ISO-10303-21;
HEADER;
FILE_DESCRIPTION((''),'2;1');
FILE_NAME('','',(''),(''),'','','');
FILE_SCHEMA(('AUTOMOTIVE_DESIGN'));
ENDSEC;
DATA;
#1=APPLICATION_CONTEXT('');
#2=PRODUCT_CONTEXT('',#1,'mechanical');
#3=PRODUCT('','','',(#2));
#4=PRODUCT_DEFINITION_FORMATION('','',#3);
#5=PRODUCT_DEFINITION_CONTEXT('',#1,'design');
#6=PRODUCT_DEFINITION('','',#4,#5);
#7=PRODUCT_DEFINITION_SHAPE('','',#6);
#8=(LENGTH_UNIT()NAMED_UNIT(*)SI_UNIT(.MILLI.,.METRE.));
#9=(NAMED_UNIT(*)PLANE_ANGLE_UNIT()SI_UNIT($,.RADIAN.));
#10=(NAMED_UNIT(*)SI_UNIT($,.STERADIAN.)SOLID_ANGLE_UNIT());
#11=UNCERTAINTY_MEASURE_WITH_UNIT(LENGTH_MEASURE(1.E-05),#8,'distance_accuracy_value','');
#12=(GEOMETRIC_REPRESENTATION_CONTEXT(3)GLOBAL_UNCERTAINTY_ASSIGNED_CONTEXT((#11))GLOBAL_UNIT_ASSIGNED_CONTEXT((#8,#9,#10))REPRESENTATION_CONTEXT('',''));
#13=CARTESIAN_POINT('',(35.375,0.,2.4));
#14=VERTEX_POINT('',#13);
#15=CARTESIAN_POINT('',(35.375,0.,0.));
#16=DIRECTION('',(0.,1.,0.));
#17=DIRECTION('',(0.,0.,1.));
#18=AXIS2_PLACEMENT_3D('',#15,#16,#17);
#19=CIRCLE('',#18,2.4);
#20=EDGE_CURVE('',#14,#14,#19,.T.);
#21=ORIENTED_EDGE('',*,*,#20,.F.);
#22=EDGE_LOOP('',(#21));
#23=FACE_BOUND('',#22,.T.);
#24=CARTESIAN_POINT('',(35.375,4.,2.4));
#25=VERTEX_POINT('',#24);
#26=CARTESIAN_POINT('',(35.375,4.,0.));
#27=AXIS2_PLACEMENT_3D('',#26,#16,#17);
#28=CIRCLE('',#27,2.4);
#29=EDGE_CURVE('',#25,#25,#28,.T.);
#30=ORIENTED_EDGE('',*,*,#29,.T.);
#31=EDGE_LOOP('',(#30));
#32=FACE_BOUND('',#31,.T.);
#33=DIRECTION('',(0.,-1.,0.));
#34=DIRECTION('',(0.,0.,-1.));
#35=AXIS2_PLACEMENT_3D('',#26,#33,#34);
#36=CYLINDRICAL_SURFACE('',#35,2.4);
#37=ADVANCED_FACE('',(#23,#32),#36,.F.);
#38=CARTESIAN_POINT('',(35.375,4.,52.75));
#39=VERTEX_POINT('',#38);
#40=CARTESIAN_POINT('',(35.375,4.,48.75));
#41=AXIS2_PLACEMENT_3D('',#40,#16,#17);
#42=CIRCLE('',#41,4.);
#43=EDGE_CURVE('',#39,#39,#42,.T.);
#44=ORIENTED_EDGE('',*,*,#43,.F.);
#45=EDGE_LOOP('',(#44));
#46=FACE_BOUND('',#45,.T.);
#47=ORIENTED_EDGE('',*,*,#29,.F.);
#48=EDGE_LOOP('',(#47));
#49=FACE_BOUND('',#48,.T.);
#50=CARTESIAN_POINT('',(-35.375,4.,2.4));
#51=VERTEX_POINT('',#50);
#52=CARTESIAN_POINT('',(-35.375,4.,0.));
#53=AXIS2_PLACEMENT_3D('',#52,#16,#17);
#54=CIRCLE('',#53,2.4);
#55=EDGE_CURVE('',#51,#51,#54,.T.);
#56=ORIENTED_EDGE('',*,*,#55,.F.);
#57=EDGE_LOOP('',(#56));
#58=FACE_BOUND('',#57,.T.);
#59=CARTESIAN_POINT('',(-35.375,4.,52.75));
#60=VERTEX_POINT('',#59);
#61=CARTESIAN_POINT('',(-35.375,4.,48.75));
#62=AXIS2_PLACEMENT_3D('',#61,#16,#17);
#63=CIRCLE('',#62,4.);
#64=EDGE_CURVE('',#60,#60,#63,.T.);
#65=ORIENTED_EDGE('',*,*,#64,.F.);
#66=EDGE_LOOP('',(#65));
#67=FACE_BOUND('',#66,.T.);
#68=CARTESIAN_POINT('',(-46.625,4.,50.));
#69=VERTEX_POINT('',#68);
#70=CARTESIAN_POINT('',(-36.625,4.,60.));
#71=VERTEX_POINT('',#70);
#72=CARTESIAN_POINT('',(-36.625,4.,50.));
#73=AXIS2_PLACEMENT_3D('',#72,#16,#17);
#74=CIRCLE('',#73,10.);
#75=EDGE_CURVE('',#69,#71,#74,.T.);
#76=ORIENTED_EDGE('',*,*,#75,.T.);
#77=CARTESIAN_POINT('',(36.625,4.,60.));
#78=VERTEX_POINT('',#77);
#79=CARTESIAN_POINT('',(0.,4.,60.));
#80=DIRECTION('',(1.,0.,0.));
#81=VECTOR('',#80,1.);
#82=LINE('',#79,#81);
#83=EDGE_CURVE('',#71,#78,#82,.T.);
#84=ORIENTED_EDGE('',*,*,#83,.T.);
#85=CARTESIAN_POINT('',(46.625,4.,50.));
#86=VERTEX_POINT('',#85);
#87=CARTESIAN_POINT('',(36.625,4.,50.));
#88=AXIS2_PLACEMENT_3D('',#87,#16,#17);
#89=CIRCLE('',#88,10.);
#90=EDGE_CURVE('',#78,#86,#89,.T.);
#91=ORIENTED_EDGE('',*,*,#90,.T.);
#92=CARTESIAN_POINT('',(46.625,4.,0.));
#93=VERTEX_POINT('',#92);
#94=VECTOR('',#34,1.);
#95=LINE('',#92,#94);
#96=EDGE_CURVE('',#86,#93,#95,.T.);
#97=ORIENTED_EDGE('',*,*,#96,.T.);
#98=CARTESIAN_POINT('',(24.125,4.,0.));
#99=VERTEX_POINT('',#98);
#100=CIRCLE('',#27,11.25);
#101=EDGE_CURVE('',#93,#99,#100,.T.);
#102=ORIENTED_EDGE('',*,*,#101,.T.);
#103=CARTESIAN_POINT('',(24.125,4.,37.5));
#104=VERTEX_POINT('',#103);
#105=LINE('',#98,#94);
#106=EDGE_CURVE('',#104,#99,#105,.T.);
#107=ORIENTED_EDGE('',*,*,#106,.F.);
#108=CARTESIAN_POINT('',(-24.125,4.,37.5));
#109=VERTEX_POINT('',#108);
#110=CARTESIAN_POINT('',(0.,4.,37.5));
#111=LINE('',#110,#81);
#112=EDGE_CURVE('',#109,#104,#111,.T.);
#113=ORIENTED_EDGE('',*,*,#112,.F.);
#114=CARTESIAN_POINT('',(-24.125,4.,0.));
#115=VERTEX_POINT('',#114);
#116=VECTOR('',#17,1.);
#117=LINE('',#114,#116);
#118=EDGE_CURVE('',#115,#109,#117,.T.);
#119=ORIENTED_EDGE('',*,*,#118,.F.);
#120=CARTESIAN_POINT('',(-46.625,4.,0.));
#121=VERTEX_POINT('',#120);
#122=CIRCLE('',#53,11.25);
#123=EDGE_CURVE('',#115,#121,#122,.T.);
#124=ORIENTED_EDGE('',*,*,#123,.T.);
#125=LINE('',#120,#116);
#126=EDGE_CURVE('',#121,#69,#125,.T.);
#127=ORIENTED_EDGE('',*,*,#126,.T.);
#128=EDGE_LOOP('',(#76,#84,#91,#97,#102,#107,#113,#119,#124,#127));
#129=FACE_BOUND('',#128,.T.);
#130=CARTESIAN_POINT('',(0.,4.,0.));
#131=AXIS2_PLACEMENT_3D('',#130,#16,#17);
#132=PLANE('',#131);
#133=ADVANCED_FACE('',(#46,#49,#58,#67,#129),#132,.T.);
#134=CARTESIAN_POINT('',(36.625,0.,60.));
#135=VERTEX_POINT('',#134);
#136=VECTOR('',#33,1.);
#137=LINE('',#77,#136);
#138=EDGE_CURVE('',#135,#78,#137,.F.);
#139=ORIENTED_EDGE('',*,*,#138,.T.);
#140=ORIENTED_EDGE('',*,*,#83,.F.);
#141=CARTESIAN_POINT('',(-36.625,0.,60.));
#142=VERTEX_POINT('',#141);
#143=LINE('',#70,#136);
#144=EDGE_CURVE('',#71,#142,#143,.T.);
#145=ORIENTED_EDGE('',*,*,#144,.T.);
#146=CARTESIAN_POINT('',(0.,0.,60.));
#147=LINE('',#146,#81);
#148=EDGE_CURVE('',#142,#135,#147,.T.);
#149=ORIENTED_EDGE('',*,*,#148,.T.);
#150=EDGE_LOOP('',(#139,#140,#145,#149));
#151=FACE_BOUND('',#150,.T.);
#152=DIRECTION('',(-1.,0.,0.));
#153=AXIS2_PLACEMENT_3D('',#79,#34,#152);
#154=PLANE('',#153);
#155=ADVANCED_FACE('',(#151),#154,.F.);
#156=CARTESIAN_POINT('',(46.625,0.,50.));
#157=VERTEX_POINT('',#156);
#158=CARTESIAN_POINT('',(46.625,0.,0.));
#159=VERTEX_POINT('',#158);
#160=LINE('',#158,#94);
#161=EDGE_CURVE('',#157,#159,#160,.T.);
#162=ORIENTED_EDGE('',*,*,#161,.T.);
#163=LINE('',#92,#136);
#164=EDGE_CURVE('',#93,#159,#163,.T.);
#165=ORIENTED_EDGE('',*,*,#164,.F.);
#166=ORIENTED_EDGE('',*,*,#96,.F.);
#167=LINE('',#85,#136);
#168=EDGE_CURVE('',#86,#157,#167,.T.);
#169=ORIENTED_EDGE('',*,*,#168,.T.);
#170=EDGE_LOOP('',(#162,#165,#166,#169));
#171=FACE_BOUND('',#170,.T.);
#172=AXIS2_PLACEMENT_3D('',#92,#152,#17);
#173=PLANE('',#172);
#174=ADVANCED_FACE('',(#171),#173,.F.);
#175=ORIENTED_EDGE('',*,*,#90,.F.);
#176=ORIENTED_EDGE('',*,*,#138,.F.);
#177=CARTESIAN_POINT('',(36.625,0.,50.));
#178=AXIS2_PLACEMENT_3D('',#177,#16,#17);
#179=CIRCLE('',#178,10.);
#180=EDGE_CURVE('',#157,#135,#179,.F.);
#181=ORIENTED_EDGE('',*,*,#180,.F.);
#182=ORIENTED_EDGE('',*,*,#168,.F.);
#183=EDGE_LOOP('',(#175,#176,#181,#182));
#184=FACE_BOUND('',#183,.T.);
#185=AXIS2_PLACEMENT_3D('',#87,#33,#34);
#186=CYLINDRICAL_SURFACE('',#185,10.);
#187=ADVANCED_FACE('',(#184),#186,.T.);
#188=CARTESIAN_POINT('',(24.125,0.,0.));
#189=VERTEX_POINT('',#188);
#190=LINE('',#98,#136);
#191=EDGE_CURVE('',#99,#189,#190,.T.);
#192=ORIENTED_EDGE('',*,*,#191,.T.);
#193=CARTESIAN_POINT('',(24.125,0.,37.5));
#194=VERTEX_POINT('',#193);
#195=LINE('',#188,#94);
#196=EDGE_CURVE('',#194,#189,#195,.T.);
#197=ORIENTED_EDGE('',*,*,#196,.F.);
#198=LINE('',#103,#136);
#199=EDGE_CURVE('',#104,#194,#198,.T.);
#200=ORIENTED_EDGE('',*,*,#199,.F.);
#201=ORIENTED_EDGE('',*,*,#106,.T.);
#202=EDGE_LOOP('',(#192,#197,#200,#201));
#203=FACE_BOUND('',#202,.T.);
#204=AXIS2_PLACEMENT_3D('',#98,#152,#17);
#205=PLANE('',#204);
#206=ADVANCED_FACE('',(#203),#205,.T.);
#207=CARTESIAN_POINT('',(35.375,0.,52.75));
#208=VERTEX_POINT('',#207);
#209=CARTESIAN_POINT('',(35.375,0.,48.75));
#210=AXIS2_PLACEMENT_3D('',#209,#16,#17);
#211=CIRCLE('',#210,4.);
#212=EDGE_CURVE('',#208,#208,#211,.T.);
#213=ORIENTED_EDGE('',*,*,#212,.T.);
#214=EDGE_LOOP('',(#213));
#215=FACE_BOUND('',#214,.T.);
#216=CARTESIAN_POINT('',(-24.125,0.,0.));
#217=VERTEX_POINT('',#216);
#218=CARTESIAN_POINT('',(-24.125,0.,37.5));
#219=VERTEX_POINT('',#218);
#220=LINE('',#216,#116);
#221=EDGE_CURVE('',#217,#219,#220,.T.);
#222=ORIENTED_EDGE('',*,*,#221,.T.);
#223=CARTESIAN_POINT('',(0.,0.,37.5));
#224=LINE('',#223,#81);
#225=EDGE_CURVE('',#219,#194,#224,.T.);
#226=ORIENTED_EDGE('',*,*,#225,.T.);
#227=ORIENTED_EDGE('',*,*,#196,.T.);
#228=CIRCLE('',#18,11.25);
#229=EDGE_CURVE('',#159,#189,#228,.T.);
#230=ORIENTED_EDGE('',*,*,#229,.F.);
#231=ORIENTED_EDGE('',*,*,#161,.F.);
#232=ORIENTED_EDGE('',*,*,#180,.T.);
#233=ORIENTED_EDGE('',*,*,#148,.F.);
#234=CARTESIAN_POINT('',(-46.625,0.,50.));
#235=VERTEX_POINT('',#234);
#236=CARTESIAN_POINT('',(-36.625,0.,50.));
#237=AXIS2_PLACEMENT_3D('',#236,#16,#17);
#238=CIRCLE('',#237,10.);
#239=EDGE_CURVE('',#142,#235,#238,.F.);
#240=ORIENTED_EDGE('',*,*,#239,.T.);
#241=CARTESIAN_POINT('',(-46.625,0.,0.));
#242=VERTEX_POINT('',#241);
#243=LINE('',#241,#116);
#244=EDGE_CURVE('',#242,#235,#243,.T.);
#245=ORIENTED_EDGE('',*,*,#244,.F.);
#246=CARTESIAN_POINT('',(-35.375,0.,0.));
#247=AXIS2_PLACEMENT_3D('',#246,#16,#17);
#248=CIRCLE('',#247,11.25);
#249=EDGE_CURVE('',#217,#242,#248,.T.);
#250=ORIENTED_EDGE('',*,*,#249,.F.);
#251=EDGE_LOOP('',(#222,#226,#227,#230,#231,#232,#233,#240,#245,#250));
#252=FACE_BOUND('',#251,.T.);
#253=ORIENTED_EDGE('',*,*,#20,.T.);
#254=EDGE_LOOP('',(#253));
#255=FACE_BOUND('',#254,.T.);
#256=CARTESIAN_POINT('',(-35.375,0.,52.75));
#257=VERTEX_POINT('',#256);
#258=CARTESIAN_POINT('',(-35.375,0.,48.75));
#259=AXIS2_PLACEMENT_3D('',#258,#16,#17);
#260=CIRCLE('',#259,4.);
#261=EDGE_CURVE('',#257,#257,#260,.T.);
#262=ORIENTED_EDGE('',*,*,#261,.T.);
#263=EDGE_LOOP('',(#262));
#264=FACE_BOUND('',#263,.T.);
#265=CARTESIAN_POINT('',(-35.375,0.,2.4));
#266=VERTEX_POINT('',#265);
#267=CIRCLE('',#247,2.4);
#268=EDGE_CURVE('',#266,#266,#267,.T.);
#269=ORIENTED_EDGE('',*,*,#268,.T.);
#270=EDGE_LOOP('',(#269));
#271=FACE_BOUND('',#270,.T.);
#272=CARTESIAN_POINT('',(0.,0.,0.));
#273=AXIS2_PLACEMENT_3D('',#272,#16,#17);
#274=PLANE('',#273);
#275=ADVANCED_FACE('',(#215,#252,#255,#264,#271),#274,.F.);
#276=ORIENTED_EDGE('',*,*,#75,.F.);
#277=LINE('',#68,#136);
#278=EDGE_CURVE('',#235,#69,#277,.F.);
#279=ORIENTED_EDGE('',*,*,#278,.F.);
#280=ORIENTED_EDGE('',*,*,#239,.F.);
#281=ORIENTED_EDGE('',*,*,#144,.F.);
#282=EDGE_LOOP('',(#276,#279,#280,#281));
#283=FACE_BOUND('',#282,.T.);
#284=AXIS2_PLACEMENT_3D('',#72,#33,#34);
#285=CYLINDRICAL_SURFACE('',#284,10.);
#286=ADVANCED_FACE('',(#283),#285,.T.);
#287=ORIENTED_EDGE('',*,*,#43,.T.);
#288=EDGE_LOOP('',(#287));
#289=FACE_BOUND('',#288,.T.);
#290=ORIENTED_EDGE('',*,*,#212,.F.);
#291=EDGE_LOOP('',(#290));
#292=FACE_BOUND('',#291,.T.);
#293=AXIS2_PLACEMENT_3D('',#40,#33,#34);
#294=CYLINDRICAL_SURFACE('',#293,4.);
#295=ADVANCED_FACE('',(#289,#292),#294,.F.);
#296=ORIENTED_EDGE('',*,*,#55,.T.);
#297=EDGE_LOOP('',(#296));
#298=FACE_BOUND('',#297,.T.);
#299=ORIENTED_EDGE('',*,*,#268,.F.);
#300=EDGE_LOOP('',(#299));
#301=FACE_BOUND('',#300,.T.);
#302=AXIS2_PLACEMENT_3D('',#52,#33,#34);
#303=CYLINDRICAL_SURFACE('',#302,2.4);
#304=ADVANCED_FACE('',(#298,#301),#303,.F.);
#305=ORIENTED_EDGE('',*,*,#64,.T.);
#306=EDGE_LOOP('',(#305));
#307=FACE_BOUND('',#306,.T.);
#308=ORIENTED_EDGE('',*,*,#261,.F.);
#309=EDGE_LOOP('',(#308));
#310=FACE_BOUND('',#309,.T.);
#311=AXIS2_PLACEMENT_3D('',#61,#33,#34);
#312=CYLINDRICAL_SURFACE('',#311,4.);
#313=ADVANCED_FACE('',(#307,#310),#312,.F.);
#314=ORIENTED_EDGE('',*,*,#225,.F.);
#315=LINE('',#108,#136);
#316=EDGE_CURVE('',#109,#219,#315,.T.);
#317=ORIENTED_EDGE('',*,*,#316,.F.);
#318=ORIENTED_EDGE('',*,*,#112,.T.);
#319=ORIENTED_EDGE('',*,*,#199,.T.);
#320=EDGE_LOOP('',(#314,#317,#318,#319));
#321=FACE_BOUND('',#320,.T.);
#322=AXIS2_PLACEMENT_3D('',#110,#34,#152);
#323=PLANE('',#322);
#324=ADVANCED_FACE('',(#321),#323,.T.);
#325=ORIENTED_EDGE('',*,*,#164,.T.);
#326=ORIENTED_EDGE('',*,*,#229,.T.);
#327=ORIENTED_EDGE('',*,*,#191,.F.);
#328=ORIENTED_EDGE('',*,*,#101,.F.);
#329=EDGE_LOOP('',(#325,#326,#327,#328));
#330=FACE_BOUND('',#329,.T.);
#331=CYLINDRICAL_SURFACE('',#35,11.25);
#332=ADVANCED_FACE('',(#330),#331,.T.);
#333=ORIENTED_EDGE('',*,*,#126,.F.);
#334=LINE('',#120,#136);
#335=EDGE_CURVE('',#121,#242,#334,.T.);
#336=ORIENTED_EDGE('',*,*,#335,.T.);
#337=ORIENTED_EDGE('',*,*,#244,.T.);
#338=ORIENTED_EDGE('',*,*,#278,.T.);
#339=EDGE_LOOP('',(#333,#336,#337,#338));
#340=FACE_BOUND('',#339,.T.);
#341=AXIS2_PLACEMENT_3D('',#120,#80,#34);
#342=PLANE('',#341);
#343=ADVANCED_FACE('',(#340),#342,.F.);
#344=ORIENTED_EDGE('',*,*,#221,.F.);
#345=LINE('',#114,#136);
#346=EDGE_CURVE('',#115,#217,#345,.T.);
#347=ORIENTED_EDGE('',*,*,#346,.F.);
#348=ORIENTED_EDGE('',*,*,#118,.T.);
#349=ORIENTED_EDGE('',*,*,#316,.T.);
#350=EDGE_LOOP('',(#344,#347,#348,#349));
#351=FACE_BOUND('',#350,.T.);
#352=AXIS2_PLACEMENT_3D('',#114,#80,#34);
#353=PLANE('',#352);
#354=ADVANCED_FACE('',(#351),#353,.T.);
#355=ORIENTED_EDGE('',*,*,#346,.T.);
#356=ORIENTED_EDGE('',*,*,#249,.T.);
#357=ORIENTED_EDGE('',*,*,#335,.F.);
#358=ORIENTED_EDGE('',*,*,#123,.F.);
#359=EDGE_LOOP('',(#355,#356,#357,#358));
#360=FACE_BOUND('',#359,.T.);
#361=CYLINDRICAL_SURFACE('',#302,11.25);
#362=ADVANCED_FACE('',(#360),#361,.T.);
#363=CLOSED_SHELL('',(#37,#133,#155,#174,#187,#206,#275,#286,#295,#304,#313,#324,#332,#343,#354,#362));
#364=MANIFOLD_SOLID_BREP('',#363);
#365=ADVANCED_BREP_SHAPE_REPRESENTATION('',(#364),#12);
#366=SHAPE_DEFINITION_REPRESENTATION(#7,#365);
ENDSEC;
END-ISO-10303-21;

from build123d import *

# Parameters (mm, degrees)
SKETCH1_R           = 4
SKETCH1_R_2         = 11.25
SKETCH1_R_3         = 2.4
BOSS_EXTRUDE1_DEPTH = 4
FILLET1_R           = 10


with BuildPart() as part:
    # Sketch1 → Boss-Extrude1 (new body)
    with BuildSketch(Plane(origin=(0, 0, 0), x_dir=(1, 0, 0), z_dir=(0, 1, 0))):
        with BuildLine():
            Line((-24.125, -37.5), (-24.125, 0))
            ThreePointArc((-24.125, 0), (-35.375, -11.25), (-46.625, 0))
            Line((-46.625, 0), (-46.625, -60))
            Line((-46.625, -60), (46.625, -60))
            Line((46.625, -60), (46.625, 0))
            ThreePointArc((46.625, 0), (35.375, -11.25), (24.125, 0))
            Line((24.125, 0), (24.125, -37.5))
            Line((24.125, -37.5), (-24.125, -37.5))
        make_face()
        with Locations((-35.375, -48.75)):
            Circle(SKETCH1_R, mode=Mode.SUBTRACT)
        with Locations((35.375, -48.75)):
            Circle(SKETCH1_R, mode=Mode.SUBTRACT)
        with Locations((-35.375, 0)):
            Circle(SKETCH1_R_2)
        with Locations((-35.375, 0)):
            Circle(SKETCH1_R_3, mode=Mode.SUBTRACT)
        with Locations((35.375, 0)):
            Circle(SKETCH1_R_2)
        with Locations((35.375, 0)):
            Circle(SKETCH1_R_3, mode=Mode.SUBTRACT)
    extrude(amount=BOSS_EXTRUDE1_DEPTH)

    # Fillet1
    fillet1_edges = [part.edges().sort_by_distance(p)[0] for p in [
        (46.625, 2, 60),
        (-46.625, 2, 60),
    ]]
    fillet(fillet1_edges, radius=FILLET1_R)


solid = part.part
